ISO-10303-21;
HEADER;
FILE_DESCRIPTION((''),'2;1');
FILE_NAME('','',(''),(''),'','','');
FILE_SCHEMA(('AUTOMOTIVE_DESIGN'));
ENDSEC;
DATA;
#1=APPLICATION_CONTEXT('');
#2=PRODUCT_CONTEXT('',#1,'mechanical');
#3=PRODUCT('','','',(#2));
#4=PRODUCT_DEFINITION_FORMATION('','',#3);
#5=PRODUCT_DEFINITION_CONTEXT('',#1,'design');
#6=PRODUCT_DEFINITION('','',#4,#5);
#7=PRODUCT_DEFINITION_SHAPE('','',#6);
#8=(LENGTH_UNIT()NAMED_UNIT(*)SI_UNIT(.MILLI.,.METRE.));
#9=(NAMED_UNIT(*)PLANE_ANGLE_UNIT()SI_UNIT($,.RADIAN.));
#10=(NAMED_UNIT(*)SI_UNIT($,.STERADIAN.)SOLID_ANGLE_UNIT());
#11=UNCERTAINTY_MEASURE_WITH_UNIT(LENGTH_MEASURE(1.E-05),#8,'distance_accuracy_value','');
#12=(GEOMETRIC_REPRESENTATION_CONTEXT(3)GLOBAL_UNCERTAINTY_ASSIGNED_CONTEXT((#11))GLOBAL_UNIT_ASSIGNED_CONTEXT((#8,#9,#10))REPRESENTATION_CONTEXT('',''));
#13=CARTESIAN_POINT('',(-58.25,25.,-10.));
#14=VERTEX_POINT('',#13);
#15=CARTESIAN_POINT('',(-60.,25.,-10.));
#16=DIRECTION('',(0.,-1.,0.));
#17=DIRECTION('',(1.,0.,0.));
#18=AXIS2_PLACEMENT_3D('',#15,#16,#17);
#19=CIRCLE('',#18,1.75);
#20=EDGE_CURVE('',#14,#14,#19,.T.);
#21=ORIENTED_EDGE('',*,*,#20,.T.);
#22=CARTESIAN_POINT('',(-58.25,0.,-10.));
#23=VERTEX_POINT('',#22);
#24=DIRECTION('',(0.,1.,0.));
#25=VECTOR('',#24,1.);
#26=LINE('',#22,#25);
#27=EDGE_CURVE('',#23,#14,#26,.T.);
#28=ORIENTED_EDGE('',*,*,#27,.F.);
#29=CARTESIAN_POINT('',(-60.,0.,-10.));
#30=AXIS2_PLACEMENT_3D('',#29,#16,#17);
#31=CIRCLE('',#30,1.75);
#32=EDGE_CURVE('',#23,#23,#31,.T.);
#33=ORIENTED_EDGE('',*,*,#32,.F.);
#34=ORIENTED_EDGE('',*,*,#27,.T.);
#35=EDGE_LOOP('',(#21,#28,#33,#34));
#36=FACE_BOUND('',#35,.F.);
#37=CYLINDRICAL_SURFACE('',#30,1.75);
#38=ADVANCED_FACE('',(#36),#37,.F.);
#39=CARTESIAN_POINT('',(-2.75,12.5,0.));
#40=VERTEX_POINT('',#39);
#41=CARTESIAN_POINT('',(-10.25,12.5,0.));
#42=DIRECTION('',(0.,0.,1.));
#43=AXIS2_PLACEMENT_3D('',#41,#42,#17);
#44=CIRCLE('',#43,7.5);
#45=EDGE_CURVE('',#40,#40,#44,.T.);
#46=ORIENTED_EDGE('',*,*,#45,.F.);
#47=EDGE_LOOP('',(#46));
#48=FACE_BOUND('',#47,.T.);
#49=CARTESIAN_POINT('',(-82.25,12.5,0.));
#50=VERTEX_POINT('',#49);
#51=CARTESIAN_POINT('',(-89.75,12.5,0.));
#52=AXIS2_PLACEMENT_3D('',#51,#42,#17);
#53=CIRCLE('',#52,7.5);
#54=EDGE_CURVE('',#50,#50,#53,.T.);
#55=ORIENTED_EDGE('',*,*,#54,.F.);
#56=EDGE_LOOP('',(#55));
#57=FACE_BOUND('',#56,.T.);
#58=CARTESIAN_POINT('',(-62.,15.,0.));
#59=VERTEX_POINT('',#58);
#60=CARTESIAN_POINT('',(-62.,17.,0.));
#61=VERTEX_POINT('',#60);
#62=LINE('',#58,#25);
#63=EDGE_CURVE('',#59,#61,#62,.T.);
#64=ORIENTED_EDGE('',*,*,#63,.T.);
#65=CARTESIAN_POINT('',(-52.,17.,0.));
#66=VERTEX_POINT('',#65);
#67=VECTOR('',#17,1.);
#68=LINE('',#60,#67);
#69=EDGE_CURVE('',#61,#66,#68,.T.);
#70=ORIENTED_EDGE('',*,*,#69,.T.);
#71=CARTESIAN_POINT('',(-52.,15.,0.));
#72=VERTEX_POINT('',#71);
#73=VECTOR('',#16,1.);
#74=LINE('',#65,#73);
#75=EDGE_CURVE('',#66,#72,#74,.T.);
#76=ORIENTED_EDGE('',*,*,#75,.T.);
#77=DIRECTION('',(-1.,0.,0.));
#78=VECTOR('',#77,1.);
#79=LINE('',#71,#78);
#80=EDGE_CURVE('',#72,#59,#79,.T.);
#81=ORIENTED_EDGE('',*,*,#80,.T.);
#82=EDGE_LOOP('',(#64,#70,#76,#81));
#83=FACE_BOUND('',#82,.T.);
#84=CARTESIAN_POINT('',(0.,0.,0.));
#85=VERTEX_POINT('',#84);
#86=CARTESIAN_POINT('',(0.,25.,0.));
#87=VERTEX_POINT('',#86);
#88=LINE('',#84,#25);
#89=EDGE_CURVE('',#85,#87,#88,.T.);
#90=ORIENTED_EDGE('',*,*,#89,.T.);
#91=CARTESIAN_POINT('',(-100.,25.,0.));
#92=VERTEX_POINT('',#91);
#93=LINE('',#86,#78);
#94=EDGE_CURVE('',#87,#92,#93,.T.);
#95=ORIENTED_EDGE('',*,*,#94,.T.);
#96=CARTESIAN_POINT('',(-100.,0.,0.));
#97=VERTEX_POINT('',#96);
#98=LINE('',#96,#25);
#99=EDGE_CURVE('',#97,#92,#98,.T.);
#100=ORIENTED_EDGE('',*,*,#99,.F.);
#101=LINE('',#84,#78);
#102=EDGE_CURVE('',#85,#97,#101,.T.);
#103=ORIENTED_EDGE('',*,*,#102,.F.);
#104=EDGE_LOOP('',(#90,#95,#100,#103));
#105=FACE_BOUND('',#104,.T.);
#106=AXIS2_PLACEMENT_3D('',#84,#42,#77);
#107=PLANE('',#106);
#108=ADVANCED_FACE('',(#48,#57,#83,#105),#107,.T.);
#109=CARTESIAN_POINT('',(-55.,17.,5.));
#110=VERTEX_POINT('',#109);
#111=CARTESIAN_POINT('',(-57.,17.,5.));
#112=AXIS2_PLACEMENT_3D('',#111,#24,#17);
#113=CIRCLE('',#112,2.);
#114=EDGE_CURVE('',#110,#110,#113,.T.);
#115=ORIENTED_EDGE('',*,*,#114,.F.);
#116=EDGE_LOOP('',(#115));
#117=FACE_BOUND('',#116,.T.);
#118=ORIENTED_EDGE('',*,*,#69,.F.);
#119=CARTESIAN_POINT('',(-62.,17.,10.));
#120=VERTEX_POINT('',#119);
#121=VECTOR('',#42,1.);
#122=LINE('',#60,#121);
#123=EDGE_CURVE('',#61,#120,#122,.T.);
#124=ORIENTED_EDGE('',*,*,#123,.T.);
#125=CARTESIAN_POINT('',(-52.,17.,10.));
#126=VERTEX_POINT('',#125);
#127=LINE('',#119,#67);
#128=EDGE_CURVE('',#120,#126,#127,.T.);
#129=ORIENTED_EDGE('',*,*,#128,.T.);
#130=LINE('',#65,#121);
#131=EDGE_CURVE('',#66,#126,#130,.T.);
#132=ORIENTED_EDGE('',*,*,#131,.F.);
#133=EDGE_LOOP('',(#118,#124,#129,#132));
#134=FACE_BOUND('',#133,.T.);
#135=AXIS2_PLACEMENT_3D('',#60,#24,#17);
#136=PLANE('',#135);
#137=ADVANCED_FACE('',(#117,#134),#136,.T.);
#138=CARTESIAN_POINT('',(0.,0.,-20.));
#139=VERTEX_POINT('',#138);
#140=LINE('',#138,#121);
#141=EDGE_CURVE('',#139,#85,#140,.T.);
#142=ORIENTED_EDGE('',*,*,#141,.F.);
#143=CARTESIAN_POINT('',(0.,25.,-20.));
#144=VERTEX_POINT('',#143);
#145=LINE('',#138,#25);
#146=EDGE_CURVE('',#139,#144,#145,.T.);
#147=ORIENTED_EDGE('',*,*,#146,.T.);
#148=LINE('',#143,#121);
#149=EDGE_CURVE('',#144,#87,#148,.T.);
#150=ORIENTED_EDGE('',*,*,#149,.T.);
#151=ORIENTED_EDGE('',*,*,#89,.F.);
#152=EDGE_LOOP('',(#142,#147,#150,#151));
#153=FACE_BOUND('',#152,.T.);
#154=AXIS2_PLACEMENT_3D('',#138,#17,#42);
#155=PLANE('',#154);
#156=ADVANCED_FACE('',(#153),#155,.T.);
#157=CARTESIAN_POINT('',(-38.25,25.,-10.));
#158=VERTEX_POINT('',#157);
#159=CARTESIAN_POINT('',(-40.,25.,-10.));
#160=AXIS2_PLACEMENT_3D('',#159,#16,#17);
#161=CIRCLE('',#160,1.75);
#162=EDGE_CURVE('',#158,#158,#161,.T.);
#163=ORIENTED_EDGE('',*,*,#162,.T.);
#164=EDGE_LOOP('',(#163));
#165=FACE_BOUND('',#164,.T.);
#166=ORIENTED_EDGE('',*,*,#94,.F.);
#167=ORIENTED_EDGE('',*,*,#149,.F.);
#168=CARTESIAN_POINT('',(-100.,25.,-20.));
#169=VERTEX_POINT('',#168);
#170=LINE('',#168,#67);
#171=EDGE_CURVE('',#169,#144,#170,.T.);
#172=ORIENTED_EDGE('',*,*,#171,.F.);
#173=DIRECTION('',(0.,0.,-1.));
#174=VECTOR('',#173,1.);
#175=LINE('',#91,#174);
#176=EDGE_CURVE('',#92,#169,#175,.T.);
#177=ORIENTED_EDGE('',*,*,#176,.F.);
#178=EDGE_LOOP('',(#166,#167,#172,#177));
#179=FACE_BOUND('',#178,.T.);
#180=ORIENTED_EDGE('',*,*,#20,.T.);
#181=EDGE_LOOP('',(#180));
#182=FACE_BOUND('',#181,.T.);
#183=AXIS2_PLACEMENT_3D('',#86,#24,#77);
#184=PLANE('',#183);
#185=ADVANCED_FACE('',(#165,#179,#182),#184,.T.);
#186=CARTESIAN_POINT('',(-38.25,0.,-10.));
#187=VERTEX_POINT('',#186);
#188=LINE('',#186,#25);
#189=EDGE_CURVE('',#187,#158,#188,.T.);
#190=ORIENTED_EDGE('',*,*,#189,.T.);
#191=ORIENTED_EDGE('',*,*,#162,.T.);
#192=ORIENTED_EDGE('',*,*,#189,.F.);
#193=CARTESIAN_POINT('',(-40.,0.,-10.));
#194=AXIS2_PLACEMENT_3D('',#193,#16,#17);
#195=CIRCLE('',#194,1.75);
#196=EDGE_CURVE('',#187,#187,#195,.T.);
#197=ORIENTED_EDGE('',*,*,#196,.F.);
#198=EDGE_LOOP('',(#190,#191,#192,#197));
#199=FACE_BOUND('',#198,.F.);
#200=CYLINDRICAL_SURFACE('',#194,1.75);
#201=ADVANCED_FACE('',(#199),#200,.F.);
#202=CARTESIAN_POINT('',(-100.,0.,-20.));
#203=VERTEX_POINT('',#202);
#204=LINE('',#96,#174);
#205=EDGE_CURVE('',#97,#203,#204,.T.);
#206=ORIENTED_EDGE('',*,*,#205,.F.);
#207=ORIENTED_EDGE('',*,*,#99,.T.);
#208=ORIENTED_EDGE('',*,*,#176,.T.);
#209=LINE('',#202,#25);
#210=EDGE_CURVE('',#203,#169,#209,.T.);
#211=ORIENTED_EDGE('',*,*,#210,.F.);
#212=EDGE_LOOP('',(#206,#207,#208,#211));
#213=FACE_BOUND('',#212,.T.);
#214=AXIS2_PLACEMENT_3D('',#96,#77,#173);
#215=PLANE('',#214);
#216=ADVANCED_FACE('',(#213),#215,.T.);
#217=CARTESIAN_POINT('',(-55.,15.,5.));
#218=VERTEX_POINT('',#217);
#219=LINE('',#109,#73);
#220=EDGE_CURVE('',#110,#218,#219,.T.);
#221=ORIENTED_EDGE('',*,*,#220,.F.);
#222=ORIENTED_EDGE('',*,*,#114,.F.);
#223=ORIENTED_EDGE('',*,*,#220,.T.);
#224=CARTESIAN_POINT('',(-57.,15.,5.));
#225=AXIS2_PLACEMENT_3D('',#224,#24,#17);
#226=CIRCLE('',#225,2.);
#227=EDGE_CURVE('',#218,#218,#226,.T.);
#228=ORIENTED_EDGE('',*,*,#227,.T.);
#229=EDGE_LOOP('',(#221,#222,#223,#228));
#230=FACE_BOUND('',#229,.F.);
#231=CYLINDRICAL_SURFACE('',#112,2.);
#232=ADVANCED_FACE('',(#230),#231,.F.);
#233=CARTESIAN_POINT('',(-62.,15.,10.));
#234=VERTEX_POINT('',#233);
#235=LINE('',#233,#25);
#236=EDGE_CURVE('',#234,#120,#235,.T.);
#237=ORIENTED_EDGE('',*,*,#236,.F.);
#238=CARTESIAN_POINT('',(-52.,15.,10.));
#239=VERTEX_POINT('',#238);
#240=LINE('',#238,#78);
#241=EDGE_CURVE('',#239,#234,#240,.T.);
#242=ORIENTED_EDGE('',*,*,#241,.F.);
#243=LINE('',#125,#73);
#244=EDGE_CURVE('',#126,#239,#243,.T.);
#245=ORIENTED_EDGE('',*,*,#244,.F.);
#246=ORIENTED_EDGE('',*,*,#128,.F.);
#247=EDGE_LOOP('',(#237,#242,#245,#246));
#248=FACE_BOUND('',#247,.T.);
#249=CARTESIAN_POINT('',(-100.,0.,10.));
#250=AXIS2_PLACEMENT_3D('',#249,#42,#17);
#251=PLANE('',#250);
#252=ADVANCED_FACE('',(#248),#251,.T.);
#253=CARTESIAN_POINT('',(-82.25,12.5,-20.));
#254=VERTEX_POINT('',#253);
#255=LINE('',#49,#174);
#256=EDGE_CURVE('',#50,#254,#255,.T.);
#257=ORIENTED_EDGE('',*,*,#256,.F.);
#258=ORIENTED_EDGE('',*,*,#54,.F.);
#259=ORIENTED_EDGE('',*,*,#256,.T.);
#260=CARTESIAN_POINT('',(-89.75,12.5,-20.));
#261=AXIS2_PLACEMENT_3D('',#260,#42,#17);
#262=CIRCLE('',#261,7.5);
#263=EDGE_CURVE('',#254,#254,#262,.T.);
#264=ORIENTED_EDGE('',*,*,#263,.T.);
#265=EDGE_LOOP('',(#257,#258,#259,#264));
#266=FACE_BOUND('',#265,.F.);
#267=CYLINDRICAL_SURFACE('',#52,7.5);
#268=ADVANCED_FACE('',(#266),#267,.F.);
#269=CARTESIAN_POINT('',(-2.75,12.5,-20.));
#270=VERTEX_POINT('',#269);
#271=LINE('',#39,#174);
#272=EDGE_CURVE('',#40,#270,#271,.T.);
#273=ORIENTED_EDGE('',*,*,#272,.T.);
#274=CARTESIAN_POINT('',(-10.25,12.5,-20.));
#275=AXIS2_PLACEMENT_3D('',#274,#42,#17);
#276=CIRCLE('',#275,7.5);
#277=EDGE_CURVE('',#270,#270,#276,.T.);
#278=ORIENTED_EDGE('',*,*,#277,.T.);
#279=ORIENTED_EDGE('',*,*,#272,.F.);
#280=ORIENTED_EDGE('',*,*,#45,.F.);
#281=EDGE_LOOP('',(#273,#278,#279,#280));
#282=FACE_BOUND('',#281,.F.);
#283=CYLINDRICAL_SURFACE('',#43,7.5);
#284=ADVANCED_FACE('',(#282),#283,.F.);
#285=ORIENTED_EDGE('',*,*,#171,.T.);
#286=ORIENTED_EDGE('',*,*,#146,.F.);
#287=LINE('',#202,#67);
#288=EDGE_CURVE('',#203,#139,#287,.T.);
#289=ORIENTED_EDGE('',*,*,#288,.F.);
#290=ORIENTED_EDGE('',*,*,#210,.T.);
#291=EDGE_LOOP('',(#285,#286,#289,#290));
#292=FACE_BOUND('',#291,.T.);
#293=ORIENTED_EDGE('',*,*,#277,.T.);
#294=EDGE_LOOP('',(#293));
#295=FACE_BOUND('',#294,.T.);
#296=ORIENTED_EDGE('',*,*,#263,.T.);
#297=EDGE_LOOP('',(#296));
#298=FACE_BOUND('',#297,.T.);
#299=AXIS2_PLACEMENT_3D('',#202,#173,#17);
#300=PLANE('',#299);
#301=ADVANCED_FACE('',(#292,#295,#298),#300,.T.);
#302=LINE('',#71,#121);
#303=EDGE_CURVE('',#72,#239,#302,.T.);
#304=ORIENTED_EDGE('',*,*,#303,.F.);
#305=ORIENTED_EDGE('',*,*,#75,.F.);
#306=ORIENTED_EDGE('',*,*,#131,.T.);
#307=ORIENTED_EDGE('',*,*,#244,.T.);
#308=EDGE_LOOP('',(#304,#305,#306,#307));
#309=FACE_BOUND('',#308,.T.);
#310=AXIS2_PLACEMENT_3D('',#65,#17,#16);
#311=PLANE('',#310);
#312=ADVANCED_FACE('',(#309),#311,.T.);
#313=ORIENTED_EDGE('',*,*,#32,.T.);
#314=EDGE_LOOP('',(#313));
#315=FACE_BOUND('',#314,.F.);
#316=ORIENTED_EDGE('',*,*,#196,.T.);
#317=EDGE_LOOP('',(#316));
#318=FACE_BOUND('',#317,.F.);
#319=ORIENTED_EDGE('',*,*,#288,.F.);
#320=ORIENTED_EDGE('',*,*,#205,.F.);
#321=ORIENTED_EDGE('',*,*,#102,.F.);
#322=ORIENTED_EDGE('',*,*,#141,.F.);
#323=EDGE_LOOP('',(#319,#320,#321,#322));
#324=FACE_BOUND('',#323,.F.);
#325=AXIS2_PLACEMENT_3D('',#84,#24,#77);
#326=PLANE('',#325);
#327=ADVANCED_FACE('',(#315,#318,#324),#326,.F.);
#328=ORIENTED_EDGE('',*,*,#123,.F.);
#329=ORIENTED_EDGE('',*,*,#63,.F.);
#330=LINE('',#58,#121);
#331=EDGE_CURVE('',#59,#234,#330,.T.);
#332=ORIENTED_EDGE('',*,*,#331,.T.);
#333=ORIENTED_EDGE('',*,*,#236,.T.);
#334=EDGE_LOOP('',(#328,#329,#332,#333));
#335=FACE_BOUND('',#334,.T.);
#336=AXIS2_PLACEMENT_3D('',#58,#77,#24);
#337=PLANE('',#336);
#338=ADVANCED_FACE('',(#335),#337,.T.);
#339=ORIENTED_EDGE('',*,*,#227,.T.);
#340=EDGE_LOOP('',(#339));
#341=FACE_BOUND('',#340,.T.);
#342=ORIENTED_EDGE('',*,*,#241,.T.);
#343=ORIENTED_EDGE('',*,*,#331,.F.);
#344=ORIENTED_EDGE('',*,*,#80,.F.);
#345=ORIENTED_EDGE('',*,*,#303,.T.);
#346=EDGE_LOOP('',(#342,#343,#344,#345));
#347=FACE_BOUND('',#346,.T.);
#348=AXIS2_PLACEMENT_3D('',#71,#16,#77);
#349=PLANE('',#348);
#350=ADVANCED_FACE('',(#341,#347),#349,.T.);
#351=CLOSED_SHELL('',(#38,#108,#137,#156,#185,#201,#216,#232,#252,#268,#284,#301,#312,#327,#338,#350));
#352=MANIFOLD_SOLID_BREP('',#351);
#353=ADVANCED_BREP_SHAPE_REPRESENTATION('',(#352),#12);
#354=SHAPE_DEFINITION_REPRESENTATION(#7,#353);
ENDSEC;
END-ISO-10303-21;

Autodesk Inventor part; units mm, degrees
ref_plane "YZ Plane" through (0, 0, 0) normal (1, 0, 0) x (0, 1, 0)
ref_plane "XZ Plane" through (0, 0, 0) normal (0, 1, 0) x (-1, 0, 0)
ref_plane "XY Plane" through (0, 0, 0) normal (0, 0, 1) x (1, 0, 0)
sketch "Sketch1" plane through (0, 0, 0) normal (0, 1, 0) x (-1, 0, 0)
  line L0 (0, 0) -> (100, 0)
  line L1 (100, 0) -> (100, -20)
  line L2 (100, -20) -> (0, -20)
  line L3 (0, -20) -> (0, 0)
  dimension "d0" = 100
  dimension "d1" = 20
extrude "Extrusion1" add sketch "Sketch1" along normal blind 25
sketch "Sketch2" plane through (-100, 0, 0) normal (0, 0, 1) x (1, 0, 0)
  point P0 (100, 0)
sketch "Sketch3" plane through (-100, 0, 0) normal (0, 0, 1) x (1, 0, 0)
  line L0 (0, 25) -> (100, 25) projected
  circle A0 centre (10.25, 12.5) radius 7.5
  circle A1 centre (89.75, 12.5) radius 7.5
  point P0 (100, 0)
  dimension "d7" = 15
  dimension "d8" = 15
extrude "Extrusion2" cut sketch "Sketch3" against normal blind 20
sketch "Sketch4" plane through (-100, 0, 0) normal (0, 0, 1) x (1, 0, 0)
  point P0 (100, 0)
sketch "Sketch5" plane through (-100, 0, 0) normal (0, 0, 1) x (1, 0, 0)
  line L0 (100, 25) -> (0, 25) projected
  line L1 (0, 25) -> (100, 25) projected
  line L2 (38, 17) -> (48, 17)
  line L3 (48, 17) -> (48, 15)
  line L4 (48, 15) -> (38, 15)
  line L5 (38, 15) -> (38, 17)
  point P0 (100, 0)
  dimension "d36" = 10
  dimension "d37" = 2
extrude "Extrusion3" add sketch "Sketch5" along normal blind 10
sketch "Sketch8" plane through (-62, 17, 0) normal (0, 1, 0) x (1, 0, 0)
  line L0 (10, -10) -> (0, -10) projected
  circle A0 centre (5, -5) radius 2
  point P0 (62, 0)
  dimension "d39" = 4
extrude "Extrusion6" cut sketch "Sketch8" against normal blind 2
sketch "Sketch9" plane through (0, 0, 0) normal (0, -1, 0) x (1, 0, 0)
  line L0 (0, 0) -> (0, -20) projected
  circle A0 centre (-60, -10) radius 1.75
  circle A1 centre (-40, -10) radius 1.75
  dimension "d44" = 3.5
  dimension "d45" = 3.5
extrude "Extrusion7" cut sketch "Sketch9" against normal blind 25
properties part number "g_griper side2"
